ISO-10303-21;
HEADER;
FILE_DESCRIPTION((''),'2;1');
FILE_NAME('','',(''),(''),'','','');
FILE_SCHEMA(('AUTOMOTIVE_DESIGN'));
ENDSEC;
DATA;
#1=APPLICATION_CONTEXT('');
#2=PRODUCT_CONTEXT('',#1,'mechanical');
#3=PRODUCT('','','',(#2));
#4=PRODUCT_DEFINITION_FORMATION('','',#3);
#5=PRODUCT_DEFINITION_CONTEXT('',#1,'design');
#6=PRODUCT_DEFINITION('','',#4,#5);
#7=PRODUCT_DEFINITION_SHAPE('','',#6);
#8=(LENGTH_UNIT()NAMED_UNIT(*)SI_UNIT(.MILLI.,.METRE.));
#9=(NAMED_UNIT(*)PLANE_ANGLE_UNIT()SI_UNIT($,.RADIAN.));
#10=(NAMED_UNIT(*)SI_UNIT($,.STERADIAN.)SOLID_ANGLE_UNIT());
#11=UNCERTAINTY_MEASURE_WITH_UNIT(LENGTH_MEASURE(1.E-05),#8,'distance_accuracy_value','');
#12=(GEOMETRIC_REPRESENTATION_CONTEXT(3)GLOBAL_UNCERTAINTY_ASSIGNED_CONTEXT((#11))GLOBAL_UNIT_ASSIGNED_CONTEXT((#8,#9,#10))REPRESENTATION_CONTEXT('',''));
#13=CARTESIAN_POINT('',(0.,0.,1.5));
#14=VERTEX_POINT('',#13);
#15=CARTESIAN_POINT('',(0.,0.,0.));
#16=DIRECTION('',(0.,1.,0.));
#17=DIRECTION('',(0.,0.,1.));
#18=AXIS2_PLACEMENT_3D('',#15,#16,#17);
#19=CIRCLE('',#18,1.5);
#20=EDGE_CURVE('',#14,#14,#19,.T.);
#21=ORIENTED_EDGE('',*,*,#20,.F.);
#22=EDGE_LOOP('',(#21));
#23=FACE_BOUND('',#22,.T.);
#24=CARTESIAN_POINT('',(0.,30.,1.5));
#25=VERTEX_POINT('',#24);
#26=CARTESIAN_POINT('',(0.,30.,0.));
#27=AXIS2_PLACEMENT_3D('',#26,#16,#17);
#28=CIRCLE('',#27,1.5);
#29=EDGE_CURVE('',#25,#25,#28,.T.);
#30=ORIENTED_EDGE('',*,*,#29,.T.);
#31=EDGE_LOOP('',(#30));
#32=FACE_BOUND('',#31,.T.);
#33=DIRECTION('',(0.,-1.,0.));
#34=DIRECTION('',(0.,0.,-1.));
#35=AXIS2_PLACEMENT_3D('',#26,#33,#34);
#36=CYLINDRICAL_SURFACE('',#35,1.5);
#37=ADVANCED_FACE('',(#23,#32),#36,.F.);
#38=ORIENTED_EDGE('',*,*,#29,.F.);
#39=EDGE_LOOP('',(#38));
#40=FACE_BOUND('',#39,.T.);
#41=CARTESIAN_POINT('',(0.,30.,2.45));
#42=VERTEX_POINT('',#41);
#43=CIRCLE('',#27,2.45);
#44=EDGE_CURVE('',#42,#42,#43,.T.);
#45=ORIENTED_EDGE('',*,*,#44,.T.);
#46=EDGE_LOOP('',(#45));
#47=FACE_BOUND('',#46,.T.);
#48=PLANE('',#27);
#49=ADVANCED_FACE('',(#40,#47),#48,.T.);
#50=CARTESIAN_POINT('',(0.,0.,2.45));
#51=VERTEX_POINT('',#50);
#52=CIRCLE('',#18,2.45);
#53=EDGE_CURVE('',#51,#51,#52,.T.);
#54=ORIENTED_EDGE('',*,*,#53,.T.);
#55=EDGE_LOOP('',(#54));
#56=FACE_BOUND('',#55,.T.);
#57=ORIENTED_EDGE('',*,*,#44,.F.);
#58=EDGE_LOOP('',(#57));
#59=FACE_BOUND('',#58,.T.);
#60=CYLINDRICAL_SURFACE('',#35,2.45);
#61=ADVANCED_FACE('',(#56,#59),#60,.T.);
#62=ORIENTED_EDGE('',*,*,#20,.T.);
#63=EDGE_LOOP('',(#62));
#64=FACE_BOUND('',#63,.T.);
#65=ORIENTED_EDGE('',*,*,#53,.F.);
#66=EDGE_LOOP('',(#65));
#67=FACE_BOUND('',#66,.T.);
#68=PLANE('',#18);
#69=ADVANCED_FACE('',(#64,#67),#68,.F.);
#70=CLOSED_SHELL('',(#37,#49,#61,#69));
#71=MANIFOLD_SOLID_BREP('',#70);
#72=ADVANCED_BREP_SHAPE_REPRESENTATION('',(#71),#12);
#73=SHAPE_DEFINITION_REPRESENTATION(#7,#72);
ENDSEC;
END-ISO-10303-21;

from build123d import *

# Parameters (mm, degrees)
ESQUISSE1_R        = 2.45
ESQUISSE1_R_2      = 1.5
BOSS_EXTRU_1_DEPTH = 30


with BuildPart() as part:
    # Esquisse1 → Boss.-Extru.1 (new body)
    with BuildSketch(Plane(origin=(0, 0, 0), x_dir=(1, 0, 0), z_dir=(0, 1, 0))):
        Circle(ESQUISSE1_R)
        Circle(ESQUISSE1_R_2, mode=Mode.SUBTRACT)
    extrude(amount=BOSS_EXTRU_1_DEPTH)


solid = part.part
